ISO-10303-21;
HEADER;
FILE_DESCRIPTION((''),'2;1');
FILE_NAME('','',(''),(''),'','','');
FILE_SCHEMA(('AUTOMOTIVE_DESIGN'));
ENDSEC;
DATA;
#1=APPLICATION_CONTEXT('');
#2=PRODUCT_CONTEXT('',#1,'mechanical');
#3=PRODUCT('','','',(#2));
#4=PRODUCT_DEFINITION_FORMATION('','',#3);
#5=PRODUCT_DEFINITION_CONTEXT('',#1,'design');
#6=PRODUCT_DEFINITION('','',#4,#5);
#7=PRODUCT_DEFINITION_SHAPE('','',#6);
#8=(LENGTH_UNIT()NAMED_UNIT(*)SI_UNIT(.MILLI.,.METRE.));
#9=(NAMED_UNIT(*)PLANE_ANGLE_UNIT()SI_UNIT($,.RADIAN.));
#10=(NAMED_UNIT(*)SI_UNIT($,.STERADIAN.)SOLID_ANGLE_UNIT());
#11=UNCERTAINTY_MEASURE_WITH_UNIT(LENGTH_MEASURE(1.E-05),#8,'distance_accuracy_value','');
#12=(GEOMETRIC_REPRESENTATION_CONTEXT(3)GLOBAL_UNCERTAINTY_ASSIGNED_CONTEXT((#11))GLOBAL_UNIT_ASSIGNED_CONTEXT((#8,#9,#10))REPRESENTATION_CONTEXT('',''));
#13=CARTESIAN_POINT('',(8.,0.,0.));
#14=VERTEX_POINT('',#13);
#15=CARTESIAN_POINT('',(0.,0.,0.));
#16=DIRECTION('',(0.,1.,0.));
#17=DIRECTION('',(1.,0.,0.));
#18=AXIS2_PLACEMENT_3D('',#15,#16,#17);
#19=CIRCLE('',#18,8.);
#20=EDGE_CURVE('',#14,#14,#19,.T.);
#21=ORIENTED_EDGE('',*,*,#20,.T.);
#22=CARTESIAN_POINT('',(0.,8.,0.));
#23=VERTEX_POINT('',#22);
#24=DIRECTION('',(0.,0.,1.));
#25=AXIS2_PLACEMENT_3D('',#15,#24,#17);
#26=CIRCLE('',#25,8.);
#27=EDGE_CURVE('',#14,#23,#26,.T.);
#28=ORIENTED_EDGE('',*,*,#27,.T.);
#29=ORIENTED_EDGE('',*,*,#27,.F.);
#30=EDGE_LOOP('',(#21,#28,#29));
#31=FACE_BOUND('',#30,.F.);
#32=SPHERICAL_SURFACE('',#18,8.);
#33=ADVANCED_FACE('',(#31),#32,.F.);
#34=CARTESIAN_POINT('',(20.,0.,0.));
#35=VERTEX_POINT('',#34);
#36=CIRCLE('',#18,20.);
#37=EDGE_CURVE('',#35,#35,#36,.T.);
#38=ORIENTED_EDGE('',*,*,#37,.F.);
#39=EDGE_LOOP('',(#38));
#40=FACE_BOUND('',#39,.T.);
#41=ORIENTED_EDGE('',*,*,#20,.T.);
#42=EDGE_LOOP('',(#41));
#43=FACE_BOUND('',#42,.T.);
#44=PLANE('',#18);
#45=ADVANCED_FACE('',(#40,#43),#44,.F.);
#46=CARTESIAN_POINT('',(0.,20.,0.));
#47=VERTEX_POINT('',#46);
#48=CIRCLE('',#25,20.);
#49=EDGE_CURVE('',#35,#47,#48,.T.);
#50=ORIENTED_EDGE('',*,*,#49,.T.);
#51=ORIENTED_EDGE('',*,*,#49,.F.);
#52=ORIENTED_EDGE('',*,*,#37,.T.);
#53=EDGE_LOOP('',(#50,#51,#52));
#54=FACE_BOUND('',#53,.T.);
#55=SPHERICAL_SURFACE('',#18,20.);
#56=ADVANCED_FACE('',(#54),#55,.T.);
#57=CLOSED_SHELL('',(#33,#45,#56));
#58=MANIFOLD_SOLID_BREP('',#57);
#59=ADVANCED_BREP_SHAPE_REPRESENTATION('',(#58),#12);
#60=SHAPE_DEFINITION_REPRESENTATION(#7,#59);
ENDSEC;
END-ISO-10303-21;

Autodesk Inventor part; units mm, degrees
ref_plane "YZ Plane" through (0, 0, 0) normal (1, 0, 0) x (0, 1, 0)
ref_plane "XZ Plane" through (0, 0, 0) normal (0, 1, 0) x (-1, 0, 0)
ref_plane "XY Plane" through (0, 0, 0) normal (0, 0, 1) x (1, 0, 0)
sketch "Sketch1" plane through (0, 0, 0) normal (0, 0, 1) x (1, 0, 0)
  line L0 (0, 0) -> (0, 20)
  line L1 (0, 0) -> (20, 0)
  arc A0 (20, 0) -> (0, 20) centre (0, 0) ccw
  line L2 (0, -4.8284) -> (0, 28.9706) projected
  dimension "d2" = 20
revolve "Revolution1" add sketch "Sketch1" angle 360 about axis through (0, -10, 0) along (0, 1, 0)
shell "Shell2" thickness 12 removed faces 1 at (-2.364, 0, -6.2334)
properties part number "Ball_Upper Half" material "Nylon 6/6"
